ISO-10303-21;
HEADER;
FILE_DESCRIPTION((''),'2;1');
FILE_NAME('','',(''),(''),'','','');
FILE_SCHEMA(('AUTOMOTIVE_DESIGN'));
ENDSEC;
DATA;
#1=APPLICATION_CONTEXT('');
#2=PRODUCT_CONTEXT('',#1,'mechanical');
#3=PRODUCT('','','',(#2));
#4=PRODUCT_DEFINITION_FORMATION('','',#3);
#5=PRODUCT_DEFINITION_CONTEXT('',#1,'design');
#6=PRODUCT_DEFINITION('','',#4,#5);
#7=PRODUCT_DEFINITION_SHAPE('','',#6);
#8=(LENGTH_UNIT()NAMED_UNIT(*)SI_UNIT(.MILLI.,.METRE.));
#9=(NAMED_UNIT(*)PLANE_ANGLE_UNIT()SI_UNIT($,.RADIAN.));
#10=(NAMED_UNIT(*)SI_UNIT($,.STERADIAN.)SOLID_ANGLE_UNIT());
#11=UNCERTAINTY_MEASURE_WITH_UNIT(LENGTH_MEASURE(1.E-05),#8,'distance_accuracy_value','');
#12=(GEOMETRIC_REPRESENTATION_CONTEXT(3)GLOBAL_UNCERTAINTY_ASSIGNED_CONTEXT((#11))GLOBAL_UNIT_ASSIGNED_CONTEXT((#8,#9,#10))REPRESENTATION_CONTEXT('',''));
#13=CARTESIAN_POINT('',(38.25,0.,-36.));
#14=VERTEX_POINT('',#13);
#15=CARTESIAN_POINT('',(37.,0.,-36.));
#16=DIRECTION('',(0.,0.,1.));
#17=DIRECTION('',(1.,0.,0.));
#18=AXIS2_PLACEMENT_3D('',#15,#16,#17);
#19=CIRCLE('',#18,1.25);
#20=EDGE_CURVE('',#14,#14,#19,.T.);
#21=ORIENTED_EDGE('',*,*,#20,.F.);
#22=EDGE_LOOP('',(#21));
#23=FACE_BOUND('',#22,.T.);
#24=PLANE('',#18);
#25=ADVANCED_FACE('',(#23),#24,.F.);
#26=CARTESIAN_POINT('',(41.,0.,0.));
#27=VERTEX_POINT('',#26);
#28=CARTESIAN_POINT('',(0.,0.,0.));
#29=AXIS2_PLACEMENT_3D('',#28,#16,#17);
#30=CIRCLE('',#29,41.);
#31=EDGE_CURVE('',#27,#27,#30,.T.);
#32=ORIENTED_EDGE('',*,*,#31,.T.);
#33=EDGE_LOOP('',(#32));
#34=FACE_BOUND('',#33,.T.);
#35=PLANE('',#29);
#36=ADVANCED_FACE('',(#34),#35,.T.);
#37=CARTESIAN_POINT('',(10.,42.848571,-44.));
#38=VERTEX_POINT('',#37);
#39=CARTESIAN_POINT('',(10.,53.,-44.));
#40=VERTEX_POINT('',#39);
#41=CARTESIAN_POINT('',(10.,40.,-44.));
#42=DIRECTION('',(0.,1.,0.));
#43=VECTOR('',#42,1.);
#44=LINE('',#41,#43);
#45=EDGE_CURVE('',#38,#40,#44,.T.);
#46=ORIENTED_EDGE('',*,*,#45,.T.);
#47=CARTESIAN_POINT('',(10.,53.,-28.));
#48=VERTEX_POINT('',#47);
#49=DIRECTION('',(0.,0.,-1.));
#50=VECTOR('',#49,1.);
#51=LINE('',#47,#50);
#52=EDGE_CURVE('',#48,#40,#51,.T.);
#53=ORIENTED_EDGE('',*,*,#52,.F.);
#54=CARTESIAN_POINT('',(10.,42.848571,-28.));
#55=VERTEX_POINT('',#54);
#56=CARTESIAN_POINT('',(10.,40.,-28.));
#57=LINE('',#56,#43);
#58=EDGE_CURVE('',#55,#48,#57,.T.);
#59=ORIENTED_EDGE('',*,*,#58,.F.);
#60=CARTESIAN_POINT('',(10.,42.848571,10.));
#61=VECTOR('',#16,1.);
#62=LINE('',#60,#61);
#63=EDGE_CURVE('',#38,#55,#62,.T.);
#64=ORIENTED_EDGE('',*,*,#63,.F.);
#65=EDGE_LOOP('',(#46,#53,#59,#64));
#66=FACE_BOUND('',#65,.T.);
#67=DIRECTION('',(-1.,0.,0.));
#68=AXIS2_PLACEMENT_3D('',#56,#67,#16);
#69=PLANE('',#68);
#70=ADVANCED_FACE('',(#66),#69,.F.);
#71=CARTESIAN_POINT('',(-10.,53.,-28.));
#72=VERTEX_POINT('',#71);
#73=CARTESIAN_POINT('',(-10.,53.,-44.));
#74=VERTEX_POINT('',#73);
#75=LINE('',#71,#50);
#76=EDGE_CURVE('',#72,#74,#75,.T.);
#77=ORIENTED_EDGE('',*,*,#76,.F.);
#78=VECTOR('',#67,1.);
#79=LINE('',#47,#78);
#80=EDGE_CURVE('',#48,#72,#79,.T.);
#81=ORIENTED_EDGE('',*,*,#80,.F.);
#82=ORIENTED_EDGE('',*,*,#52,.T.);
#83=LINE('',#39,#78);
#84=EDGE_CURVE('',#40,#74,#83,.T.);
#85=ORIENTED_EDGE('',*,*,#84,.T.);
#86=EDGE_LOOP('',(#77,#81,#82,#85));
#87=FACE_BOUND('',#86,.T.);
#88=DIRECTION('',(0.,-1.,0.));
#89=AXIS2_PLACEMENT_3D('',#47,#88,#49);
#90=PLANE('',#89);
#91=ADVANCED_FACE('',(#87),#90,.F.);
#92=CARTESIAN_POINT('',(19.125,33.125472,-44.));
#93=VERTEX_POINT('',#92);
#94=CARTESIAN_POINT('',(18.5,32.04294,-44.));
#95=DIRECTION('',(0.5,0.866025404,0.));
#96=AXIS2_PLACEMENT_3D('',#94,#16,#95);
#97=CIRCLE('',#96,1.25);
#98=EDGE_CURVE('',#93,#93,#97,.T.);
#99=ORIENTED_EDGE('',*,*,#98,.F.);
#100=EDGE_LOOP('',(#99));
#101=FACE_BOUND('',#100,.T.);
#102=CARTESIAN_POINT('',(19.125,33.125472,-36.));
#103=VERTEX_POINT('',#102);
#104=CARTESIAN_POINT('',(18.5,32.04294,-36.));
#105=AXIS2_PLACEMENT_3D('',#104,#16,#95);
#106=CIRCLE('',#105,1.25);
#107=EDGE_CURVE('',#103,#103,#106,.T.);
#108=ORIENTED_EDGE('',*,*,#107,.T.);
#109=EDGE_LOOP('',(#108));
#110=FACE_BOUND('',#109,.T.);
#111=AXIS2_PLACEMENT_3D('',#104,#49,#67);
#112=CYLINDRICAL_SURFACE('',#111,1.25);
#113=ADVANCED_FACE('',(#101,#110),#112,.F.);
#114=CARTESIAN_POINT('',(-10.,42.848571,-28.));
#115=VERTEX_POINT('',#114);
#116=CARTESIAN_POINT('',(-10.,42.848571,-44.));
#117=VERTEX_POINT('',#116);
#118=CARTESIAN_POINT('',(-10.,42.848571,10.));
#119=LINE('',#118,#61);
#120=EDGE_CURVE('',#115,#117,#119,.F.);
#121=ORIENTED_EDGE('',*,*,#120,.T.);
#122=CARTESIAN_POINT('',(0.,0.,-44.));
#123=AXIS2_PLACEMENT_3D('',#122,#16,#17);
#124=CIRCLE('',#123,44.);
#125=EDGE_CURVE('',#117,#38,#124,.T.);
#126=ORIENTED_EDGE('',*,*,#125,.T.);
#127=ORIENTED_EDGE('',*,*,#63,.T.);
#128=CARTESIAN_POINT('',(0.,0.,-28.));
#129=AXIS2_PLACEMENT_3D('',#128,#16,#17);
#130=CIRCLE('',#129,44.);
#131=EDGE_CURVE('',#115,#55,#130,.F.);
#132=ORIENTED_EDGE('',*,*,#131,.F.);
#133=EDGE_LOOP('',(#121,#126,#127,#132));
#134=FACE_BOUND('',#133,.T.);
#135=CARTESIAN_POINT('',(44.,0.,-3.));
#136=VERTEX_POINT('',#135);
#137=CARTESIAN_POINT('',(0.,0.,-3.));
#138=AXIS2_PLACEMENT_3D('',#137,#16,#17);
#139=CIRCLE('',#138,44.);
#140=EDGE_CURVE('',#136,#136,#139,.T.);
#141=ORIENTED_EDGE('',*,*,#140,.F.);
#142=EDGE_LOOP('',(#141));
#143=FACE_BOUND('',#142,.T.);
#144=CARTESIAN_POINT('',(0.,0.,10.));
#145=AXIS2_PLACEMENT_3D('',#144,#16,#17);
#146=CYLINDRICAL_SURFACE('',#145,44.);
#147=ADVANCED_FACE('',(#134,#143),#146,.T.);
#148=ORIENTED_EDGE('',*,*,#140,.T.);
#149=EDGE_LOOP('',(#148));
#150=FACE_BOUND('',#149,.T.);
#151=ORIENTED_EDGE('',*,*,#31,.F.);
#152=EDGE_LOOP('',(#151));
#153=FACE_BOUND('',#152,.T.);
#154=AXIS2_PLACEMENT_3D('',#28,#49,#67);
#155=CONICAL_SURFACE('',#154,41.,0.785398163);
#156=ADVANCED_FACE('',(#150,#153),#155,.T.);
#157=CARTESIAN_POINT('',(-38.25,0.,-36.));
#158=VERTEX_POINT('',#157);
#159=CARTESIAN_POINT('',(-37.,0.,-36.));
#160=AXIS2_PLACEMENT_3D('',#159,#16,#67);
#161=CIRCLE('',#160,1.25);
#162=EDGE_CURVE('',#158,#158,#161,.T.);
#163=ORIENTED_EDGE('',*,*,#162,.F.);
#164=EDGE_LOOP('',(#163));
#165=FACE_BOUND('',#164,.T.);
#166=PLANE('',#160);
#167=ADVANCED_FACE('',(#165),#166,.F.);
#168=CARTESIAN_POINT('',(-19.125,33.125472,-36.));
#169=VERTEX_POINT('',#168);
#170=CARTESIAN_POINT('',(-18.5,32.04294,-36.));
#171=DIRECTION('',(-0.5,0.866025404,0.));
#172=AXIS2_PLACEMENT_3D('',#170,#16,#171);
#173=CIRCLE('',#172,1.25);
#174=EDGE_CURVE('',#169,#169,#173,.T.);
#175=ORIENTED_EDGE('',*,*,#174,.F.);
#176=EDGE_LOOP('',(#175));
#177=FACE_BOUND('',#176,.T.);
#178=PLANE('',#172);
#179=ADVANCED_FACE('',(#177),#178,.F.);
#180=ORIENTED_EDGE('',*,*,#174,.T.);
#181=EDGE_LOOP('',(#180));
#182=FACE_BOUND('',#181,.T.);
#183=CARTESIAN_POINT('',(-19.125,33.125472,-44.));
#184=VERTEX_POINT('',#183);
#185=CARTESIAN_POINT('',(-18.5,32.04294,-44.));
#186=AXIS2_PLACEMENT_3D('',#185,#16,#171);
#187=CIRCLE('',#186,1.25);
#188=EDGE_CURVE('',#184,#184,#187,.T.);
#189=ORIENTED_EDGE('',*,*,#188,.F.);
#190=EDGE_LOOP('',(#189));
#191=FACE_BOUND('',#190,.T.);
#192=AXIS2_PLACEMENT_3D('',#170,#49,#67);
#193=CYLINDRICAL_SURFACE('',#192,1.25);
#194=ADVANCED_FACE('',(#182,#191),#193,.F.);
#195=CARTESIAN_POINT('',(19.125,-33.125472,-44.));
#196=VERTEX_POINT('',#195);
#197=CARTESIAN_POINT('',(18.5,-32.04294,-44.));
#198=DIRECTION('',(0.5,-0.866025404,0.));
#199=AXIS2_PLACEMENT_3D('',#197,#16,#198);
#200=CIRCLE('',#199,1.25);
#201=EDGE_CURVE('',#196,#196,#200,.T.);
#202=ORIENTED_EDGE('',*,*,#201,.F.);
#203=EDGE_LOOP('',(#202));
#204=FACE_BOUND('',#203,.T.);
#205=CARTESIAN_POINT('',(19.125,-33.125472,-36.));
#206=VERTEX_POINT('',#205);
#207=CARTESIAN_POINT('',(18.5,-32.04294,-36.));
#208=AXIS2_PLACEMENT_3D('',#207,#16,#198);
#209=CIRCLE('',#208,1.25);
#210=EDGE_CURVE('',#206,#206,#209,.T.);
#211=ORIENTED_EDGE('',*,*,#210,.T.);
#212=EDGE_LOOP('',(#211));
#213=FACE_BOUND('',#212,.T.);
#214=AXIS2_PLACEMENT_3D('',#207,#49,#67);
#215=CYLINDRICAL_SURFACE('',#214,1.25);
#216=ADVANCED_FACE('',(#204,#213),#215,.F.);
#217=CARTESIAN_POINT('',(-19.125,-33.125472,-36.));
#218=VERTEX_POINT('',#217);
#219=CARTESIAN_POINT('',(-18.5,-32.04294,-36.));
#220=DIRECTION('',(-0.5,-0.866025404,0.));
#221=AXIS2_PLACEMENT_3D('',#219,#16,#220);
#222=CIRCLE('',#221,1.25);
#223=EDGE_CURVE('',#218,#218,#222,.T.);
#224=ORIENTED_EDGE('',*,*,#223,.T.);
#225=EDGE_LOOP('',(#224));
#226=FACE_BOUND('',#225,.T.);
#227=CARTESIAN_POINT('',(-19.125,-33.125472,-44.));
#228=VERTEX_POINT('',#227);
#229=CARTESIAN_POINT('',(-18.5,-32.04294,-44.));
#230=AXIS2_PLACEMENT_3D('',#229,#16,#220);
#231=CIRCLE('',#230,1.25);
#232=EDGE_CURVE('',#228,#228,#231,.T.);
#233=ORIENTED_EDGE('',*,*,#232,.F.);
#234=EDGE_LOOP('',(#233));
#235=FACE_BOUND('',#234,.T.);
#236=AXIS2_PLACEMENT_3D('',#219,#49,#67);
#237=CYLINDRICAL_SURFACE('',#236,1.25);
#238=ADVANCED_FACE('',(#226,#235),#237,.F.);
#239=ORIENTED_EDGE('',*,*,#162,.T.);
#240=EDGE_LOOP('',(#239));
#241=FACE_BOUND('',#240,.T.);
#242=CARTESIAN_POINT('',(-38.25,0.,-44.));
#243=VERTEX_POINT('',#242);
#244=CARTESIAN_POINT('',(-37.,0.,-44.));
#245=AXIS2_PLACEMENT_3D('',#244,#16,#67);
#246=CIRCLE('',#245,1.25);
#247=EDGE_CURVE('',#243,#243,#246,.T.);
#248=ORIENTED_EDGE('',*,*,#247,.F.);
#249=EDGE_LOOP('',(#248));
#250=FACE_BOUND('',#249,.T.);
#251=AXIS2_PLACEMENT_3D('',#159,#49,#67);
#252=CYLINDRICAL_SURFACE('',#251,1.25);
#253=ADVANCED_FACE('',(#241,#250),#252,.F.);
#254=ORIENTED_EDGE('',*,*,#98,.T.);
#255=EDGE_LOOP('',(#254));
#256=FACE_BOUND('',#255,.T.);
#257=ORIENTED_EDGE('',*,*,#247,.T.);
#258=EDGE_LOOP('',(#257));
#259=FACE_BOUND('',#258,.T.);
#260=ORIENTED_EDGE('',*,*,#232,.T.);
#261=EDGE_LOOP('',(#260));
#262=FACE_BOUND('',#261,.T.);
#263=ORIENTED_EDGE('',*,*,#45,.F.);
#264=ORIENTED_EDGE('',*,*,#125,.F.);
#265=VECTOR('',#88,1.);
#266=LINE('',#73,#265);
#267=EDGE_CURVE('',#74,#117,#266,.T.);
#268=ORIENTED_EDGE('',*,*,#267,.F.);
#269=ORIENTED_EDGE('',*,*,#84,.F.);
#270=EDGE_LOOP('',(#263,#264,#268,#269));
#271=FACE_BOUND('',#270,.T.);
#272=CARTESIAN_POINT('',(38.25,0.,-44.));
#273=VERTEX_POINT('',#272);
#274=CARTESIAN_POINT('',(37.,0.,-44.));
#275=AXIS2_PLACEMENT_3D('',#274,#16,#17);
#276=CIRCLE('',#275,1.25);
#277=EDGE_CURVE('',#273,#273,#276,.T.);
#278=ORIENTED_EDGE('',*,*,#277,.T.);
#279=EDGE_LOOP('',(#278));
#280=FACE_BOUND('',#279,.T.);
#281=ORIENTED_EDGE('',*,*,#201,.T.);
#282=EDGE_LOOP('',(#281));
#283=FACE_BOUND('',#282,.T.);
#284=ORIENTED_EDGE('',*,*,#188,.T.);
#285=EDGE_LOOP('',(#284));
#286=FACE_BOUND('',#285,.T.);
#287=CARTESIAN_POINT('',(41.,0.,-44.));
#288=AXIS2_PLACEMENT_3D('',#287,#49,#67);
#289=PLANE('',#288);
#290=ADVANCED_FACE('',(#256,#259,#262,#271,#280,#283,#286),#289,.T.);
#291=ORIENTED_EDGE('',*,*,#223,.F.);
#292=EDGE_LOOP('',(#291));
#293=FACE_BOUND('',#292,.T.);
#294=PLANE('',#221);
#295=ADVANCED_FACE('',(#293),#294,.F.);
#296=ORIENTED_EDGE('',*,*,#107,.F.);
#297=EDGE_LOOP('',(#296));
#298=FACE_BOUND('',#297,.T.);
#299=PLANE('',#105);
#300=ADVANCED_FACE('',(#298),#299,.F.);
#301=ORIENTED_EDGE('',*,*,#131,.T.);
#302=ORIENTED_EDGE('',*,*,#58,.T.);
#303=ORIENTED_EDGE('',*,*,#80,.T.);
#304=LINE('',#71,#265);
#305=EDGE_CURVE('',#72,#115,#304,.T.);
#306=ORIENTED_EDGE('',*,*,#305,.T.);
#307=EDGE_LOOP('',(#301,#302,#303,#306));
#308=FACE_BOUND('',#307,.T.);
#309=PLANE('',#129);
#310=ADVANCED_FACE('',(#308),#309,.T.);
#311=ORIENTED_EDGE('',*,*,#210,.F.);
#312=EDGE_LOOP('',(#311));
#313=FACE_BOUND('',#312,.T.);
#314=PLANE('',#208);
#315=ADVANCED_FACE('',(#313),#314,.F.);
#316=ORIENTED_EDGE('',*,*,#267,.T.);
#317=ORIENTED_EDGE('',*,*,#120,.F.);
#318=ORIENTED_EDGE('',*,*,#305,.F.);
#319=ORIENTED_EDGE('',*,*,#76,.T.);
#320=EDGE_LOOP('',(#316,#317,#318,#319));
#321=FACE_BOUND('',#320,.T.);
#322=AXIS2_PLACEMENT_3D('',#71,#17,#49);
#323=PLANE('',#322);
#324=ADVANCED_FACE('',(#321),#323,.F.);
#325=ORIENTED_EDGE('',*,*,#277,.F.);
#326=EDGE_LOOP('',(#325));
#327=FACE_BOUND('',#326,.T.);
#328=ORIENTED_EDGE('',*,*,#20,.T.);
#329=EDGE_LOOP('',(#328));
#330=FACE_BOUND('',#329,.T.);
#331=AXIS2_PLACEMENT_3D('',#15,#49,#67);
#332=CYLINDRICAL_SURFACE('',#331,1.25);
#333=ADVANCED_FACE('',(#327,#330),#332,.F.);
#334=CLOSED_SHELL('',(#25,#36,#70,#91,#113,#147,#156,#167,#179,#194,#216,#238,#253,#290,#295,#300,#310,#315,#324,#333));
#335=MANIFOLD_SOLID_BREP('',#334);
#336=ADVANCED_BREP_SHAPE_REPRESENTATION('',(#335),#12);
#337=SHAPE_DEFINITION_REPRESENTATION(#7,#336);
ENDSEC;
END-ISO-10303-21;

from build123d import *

# Parameters (mm, degrees)
SK_REARHOLE_R           = 1.25
REAR_TAPPED_HOLE_DEPTH  = 8
REAR_HOLE_PATTERN_COUNT = 6
SK_CONNECTOR_W          = 20
SK_CONNECTOR_H          = 13
CONNECTOR_ZONE_DEPTH    = 16


with BuildPart() as part:
    # SK_Body → Housing_Body (revolve)
    with BuildSketch(Plane(origin=(0, 0, 0), x_dir=(1, 0, 0), z_dir=(0, 1, 0))):
        Polygon((0, 0), (41, 0), (44, 3), (44, 44), (41, 44), (0, 44), align=None)
    revolve(axis=Axis((0, 0, 10), (0, 0, -1)))

    # SK_RearHole → Rear_Tapped_Hole (cut)
    with BuildSketch(Plane.XY.offset(-44)):
        with Locations((37, 0)):
            Circle(SK_REARHOLE_R)
    rear_tapped_hole = extrude(amount=REAR_TAPPED_HOLE_DEPTH, mode=Mode.SUBTRACT)

    # Rear_Hole_Pattern: Rear_Tapped_Hole ×6 about axis
    rear_hole_pattern_axis = Axis((0, 0, -46.2), (0, 0, 1))
    for i in range(1, REAR_HOLE_PATTERN_COUNT):
        add(rear_tapped_hole.rotate(rear_hole_pattern_axis, i * 360 / REAR_HOLE_PATTERN_COUNT), mode=Mode.SUBTRACT)

    # SK_Connector → Connector_Zone (add)
    with BuildSketch(Plane.XY.offset(-44)):
        with Locations((0, 46.5)):
            Rectangle(SK_CONNECTOR_W, SK_CONNECTOR_H)
    extrude(amount=CONNECTOR_ZONE_DEPTH)


solid = part.part
